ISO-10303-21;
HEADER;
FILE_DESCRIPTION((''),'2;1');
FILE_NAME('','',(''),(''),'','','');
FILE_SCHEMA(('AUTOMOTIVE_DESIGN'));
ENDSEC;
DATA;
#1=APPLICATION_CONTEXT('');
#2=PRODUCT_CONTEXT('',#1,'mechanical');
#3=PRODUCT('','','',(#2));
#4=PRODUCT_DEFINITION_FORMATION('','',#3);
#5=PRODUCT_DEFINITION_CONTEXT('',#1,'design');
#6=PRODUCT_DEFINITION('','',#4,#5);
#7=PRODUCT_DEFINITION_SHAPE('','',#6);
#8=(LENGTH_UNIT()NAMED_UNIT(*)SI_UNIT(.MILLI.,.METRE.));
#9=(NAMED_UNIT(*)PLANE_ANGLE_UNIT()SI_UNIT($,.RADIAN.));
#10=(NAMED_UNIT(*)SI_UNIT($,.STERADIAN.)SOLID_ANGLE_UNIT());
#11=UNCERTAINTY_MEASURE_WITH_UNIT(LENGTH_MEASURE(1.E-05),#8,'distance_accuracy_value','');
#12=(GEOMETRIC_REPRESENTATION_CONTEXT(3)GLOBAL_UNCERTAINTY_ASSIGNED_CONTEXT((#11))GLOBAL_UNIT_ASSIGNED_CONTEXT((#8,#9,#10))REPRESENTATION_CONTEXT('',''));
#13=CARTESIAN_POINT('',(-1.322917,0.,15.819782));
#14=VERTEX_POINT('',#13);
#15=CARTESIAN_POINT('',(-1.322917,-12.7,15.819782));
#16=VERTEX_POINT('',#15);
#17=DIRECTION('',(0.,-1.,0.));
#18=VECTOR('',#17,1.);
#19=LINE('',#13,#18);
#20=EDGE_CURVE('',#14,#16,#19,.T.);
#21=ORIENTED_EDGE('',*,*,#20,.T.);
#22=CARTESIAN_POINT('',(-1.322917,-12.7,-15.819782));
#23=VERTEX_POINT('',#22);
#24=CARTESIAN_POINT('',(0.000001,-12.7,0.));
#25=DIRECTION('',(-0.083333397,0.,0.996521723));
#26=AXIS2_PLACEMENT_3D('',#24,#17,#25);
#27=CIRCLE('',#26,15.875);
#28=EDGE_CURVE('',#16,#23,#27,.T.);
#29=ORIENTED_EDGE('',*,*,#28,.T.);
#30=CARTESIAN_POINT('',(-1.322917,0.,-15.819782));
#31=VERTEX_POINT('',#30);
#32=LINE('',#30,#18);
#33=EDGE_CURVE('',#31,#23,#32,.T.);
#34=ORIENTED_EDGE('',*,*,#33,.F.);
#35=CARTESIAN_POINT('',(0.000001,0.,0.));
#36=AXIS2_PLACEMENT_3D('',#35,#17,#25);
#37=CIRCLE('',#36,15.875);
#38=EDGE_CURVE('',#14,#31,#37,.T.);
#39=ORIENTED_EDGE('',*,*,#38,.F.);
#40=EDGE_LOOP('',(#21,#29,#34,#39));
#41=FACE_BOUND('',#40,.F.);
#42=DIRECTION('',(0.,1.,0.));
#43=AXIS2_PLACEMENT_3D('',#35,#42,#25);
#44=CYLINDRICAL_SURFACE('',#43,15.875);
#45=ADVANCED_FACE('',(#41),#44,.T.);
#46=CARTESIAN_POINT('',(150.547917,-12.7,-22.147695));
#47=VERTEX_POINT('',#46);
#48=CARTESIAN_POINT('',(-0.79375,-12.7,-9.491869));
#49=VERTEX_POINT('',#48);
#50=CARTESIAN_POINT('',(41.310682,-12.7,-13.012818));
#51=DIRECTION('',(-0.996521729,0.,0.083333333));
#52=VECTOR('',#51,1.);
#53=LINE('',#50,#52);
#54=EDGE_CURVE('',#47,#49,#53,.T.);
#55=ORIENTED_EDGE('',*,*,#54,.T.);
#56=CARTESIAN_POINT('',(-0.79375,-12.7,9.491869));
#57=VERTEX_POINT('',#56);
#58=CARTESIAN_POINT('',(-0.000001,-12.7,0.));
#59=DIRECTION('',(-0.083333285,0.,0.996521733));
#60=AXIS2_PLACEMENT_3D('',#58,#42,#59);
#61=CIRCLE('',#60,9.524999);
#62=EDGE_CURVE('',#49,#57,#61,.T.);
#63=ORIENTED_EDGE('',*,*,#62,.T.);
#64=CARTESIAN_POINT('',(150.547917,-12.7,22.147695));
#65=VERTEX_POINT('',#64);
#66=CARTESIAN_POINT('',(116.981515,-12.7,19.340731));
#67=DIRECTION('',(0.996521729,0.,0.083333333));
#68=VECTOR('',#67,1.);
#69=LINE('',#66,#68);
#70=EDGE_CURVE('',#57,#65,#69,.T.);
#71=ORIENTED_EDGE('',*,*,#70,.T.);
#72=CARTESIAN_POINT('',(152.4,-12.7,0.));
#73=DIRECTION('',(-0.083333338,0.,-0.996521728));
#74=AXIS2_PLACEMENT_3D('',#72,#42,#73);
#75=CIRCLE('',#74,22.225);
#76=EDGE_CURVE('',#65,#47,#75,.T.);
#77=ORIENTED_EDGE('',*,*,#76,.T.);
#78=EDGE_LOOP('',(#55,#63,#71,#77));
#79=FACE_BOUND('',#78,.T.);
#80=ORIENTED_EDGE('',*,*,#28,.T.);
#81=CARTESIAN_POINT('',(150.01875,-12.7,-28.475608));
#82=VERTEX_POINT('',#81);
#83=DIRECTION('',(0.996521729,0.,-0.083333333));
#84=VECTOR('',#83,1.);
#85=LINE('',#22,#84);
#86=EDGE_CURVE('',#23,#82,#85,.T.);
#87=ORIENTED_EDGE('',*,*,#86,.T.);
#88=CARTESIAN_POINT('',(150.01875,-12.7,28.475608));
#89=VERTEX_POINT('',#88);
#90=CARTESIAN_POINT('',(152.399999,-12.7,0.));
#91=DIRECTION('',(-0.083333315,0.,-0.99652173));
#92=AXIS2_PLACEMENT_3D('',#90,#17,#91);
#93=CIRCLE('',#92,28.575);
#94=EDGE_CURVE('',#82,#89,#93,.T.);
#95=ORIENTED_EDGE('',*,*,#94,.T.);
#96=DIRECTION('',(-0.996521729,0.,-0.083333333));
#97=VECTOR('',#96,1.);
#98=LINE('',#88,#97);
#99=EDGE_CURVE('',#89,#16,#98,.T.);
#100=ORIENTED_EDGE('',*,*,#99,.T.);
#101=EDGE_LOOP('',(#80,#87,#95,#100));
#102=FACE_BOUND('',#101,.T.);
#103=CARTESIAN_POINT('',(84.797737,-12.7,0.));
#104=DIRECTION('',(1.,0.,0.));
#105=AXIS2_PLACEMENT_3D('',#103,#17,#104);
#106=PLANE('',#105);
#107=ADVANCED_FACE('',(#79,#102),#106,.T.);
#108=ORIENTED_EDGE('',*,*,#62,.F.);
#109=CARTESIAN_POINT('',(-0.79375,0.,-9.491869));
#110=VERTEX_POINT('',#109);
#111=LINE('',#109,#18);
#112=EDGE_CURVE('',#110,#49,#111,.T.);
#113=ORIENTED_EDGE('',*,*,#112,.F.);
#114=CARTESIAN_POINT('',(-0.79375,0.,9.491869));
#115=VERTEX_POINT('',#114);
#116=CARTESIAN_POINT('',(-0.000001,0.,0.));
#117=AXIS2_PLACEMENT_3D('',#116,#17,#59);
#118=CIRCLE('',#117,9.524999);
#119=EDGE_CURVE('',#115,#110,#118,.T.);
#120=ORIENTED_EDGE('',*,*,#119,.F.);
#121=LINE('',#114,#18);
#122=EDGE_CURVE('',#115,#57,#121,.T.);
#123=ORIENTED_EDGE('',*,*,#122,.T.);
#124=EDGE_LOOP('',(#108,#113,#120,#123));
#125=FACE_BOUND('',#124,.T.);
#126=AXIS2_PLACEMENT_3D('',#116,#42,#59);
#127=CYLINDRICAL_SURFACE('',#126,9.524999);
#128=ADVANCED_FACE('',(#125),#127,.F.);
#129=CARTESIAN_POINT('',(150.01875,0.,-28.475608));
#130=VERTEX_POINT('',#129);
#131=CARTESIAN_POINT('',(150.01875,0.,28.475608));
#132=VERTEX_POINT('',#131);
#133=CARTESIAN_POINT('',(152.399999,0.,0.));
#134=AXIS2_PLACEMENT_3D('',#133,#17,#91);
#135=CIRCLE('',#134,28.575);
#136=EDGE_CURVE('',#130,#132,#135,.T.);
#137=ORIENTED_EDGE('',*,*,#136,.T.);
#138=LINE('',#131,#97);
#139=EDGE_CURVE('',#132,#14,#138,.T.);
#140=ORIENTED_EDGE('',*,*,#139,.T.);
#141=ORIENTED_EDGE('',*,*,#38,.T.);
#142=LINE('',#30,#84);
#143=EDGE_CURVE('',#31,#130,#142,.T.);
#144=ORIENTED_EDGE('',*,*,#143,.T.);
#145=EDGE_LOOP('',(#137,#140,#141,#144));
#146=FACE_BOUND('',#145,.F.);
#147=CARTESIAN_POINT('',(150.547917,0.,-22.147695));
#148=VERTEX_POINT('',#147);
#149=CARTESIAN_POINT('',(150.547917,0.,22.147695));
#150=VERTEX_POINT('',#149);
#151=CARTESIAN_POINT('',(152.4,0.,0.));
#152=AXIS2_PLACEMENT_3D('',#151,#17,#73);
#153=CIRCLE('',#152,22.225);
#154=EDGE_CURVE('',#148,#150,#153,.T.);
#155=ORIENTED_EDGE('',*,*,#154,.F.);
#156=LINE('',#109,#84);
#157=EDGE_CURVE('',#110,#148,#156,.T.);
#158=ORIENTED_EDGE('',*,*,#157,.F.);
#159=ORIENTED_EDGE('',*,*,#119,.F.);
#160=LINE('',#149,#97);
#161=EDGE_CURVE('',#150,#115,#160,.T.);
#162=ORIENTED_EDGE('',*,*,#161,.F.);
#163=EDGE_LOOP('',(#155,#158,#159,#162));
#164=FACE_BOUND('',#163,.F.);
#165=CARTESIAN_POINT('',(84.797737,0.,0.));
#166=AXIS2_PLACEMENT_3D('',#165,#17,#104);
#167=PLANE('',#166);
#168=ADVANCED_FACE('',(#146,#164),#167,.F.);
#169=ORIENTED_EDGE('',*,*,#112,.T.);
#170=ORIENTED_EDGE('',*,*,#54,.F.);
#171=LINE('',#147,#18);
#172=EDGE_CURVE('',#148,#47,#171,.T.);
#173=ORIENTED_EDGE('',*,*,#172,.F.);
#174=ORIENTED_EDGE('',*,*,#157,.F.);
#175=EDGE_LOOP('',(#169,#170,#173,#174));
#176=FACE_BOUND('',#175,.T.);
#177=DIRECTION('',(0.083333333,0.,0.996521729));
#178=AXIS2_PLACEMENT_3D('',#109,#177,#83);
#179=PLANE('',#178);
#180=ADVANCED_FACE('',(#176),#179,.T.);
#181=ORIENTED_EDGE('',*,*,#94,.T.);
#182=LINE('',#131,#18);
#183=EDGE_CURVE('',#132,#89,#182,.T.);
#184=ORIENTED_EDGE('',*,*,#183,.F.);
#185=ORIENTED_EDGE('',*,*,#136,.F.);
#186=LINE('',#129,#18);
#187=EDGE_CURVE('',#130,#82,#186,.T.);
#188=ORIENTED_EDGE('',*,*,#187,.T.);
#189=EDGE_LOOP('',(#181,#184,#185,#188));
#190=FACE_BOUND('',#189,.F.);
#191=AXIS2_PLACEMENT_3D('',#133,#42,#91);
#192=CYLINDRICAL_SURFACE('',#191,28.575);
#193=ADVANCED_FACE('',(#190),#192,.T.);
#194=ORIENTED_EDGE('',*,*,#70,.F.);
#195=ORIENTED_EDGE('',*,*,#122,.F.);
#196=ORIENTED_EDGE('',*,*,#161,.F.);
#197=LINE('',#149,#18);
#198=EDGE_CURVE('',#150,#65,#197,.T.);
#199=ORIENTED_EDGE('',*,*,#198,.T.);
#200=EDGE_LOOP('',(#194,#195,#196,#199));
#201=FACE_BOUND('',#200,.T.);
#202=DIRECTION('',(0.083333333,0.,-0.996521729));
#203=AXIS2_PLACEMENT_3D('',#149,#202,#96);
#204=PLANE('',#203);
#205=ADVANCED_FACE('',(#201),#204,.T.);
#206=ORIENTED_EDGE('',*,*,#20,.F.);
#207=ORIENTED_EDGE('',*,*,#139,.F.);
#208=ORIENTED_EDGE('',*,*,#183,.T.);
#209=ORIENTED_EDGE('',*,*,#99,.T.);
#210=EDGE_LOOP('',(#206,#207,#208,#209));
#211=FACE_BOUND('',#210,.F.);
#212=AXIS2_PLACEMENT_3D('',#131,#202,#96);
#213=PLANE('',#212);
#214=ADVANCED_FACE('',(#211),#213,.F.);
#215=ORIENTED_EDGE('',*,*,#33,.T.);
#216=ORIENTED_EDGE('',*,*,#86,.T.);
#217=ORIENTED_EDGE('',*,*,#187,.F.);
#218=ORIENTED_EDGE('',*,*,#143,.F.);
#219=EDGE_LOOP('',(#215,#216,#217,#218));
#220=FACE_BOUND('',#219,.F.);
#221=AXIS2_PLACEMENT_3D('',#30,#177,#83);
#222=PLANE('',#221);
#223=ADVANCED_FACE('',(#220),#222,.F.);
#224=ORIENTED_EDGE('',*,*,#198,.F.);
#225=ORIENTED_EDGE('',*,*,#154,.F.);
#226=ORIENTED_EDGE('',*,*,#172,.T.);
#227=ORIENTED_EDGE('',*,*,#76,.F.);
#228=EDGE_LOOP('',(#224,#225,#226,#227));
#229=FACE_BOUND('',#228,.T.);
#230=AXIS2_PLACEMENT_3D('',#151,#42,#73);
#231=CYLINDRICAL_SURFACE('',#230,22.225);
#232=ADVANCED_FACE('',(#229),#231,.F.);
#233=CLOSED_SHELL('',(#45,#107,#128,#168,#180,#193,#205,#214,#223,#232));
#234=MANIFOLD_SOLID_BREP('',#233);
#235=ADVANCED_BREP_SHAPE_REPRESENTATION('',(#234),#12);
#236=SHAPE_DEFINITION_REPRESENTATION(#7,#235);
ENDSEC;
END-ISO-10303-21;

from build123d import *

# Parameters (mm, degrees)
F2_DEPTH = 12.7
F3_DEPTH = 25.4


with BuildPart() as f2:
    # F1 (on Front) → F2 (new body)
    with BuildSketch(Plane.XZ):
        with BuildLine():
            Line((150.01875, 28.475608), (-1.322917, 15.819782))
            ThreePointArc((-1.322917, 15.819782), (-15.874999, 0), (-1.322917, -15.819782))
            Line((-1.322917, -15.819782), (150.01875, -28.475608))
            ThreePointArc((150.01875, -28.475608), (180.974999, 0), (150.01875, 28.475608))
        make_face()
    extrude(amount=F2_DEPTH)

    # F0 (on Front) → F3 (cut)
    with BuildSketch(Plane.XZ):
        with BuildLine():
            Line((150.547917, 22.147695), (-0.79375, 9.491869))
            ThreePointArc((-0.79375, 9.491869), (-9.525, 0), (-0.79375, -9.491869))
            Line((-0.79375, -9.491869), (150.547917, -22.147695))
            ThreePointArc((150.547917, -22.147695), (174.625, 0), (150.547917, 22.147695))
        make_face()
    extrude(amount=F3_DEPTH, mode=Mode.SUBTRACT)


solid = f2.part
